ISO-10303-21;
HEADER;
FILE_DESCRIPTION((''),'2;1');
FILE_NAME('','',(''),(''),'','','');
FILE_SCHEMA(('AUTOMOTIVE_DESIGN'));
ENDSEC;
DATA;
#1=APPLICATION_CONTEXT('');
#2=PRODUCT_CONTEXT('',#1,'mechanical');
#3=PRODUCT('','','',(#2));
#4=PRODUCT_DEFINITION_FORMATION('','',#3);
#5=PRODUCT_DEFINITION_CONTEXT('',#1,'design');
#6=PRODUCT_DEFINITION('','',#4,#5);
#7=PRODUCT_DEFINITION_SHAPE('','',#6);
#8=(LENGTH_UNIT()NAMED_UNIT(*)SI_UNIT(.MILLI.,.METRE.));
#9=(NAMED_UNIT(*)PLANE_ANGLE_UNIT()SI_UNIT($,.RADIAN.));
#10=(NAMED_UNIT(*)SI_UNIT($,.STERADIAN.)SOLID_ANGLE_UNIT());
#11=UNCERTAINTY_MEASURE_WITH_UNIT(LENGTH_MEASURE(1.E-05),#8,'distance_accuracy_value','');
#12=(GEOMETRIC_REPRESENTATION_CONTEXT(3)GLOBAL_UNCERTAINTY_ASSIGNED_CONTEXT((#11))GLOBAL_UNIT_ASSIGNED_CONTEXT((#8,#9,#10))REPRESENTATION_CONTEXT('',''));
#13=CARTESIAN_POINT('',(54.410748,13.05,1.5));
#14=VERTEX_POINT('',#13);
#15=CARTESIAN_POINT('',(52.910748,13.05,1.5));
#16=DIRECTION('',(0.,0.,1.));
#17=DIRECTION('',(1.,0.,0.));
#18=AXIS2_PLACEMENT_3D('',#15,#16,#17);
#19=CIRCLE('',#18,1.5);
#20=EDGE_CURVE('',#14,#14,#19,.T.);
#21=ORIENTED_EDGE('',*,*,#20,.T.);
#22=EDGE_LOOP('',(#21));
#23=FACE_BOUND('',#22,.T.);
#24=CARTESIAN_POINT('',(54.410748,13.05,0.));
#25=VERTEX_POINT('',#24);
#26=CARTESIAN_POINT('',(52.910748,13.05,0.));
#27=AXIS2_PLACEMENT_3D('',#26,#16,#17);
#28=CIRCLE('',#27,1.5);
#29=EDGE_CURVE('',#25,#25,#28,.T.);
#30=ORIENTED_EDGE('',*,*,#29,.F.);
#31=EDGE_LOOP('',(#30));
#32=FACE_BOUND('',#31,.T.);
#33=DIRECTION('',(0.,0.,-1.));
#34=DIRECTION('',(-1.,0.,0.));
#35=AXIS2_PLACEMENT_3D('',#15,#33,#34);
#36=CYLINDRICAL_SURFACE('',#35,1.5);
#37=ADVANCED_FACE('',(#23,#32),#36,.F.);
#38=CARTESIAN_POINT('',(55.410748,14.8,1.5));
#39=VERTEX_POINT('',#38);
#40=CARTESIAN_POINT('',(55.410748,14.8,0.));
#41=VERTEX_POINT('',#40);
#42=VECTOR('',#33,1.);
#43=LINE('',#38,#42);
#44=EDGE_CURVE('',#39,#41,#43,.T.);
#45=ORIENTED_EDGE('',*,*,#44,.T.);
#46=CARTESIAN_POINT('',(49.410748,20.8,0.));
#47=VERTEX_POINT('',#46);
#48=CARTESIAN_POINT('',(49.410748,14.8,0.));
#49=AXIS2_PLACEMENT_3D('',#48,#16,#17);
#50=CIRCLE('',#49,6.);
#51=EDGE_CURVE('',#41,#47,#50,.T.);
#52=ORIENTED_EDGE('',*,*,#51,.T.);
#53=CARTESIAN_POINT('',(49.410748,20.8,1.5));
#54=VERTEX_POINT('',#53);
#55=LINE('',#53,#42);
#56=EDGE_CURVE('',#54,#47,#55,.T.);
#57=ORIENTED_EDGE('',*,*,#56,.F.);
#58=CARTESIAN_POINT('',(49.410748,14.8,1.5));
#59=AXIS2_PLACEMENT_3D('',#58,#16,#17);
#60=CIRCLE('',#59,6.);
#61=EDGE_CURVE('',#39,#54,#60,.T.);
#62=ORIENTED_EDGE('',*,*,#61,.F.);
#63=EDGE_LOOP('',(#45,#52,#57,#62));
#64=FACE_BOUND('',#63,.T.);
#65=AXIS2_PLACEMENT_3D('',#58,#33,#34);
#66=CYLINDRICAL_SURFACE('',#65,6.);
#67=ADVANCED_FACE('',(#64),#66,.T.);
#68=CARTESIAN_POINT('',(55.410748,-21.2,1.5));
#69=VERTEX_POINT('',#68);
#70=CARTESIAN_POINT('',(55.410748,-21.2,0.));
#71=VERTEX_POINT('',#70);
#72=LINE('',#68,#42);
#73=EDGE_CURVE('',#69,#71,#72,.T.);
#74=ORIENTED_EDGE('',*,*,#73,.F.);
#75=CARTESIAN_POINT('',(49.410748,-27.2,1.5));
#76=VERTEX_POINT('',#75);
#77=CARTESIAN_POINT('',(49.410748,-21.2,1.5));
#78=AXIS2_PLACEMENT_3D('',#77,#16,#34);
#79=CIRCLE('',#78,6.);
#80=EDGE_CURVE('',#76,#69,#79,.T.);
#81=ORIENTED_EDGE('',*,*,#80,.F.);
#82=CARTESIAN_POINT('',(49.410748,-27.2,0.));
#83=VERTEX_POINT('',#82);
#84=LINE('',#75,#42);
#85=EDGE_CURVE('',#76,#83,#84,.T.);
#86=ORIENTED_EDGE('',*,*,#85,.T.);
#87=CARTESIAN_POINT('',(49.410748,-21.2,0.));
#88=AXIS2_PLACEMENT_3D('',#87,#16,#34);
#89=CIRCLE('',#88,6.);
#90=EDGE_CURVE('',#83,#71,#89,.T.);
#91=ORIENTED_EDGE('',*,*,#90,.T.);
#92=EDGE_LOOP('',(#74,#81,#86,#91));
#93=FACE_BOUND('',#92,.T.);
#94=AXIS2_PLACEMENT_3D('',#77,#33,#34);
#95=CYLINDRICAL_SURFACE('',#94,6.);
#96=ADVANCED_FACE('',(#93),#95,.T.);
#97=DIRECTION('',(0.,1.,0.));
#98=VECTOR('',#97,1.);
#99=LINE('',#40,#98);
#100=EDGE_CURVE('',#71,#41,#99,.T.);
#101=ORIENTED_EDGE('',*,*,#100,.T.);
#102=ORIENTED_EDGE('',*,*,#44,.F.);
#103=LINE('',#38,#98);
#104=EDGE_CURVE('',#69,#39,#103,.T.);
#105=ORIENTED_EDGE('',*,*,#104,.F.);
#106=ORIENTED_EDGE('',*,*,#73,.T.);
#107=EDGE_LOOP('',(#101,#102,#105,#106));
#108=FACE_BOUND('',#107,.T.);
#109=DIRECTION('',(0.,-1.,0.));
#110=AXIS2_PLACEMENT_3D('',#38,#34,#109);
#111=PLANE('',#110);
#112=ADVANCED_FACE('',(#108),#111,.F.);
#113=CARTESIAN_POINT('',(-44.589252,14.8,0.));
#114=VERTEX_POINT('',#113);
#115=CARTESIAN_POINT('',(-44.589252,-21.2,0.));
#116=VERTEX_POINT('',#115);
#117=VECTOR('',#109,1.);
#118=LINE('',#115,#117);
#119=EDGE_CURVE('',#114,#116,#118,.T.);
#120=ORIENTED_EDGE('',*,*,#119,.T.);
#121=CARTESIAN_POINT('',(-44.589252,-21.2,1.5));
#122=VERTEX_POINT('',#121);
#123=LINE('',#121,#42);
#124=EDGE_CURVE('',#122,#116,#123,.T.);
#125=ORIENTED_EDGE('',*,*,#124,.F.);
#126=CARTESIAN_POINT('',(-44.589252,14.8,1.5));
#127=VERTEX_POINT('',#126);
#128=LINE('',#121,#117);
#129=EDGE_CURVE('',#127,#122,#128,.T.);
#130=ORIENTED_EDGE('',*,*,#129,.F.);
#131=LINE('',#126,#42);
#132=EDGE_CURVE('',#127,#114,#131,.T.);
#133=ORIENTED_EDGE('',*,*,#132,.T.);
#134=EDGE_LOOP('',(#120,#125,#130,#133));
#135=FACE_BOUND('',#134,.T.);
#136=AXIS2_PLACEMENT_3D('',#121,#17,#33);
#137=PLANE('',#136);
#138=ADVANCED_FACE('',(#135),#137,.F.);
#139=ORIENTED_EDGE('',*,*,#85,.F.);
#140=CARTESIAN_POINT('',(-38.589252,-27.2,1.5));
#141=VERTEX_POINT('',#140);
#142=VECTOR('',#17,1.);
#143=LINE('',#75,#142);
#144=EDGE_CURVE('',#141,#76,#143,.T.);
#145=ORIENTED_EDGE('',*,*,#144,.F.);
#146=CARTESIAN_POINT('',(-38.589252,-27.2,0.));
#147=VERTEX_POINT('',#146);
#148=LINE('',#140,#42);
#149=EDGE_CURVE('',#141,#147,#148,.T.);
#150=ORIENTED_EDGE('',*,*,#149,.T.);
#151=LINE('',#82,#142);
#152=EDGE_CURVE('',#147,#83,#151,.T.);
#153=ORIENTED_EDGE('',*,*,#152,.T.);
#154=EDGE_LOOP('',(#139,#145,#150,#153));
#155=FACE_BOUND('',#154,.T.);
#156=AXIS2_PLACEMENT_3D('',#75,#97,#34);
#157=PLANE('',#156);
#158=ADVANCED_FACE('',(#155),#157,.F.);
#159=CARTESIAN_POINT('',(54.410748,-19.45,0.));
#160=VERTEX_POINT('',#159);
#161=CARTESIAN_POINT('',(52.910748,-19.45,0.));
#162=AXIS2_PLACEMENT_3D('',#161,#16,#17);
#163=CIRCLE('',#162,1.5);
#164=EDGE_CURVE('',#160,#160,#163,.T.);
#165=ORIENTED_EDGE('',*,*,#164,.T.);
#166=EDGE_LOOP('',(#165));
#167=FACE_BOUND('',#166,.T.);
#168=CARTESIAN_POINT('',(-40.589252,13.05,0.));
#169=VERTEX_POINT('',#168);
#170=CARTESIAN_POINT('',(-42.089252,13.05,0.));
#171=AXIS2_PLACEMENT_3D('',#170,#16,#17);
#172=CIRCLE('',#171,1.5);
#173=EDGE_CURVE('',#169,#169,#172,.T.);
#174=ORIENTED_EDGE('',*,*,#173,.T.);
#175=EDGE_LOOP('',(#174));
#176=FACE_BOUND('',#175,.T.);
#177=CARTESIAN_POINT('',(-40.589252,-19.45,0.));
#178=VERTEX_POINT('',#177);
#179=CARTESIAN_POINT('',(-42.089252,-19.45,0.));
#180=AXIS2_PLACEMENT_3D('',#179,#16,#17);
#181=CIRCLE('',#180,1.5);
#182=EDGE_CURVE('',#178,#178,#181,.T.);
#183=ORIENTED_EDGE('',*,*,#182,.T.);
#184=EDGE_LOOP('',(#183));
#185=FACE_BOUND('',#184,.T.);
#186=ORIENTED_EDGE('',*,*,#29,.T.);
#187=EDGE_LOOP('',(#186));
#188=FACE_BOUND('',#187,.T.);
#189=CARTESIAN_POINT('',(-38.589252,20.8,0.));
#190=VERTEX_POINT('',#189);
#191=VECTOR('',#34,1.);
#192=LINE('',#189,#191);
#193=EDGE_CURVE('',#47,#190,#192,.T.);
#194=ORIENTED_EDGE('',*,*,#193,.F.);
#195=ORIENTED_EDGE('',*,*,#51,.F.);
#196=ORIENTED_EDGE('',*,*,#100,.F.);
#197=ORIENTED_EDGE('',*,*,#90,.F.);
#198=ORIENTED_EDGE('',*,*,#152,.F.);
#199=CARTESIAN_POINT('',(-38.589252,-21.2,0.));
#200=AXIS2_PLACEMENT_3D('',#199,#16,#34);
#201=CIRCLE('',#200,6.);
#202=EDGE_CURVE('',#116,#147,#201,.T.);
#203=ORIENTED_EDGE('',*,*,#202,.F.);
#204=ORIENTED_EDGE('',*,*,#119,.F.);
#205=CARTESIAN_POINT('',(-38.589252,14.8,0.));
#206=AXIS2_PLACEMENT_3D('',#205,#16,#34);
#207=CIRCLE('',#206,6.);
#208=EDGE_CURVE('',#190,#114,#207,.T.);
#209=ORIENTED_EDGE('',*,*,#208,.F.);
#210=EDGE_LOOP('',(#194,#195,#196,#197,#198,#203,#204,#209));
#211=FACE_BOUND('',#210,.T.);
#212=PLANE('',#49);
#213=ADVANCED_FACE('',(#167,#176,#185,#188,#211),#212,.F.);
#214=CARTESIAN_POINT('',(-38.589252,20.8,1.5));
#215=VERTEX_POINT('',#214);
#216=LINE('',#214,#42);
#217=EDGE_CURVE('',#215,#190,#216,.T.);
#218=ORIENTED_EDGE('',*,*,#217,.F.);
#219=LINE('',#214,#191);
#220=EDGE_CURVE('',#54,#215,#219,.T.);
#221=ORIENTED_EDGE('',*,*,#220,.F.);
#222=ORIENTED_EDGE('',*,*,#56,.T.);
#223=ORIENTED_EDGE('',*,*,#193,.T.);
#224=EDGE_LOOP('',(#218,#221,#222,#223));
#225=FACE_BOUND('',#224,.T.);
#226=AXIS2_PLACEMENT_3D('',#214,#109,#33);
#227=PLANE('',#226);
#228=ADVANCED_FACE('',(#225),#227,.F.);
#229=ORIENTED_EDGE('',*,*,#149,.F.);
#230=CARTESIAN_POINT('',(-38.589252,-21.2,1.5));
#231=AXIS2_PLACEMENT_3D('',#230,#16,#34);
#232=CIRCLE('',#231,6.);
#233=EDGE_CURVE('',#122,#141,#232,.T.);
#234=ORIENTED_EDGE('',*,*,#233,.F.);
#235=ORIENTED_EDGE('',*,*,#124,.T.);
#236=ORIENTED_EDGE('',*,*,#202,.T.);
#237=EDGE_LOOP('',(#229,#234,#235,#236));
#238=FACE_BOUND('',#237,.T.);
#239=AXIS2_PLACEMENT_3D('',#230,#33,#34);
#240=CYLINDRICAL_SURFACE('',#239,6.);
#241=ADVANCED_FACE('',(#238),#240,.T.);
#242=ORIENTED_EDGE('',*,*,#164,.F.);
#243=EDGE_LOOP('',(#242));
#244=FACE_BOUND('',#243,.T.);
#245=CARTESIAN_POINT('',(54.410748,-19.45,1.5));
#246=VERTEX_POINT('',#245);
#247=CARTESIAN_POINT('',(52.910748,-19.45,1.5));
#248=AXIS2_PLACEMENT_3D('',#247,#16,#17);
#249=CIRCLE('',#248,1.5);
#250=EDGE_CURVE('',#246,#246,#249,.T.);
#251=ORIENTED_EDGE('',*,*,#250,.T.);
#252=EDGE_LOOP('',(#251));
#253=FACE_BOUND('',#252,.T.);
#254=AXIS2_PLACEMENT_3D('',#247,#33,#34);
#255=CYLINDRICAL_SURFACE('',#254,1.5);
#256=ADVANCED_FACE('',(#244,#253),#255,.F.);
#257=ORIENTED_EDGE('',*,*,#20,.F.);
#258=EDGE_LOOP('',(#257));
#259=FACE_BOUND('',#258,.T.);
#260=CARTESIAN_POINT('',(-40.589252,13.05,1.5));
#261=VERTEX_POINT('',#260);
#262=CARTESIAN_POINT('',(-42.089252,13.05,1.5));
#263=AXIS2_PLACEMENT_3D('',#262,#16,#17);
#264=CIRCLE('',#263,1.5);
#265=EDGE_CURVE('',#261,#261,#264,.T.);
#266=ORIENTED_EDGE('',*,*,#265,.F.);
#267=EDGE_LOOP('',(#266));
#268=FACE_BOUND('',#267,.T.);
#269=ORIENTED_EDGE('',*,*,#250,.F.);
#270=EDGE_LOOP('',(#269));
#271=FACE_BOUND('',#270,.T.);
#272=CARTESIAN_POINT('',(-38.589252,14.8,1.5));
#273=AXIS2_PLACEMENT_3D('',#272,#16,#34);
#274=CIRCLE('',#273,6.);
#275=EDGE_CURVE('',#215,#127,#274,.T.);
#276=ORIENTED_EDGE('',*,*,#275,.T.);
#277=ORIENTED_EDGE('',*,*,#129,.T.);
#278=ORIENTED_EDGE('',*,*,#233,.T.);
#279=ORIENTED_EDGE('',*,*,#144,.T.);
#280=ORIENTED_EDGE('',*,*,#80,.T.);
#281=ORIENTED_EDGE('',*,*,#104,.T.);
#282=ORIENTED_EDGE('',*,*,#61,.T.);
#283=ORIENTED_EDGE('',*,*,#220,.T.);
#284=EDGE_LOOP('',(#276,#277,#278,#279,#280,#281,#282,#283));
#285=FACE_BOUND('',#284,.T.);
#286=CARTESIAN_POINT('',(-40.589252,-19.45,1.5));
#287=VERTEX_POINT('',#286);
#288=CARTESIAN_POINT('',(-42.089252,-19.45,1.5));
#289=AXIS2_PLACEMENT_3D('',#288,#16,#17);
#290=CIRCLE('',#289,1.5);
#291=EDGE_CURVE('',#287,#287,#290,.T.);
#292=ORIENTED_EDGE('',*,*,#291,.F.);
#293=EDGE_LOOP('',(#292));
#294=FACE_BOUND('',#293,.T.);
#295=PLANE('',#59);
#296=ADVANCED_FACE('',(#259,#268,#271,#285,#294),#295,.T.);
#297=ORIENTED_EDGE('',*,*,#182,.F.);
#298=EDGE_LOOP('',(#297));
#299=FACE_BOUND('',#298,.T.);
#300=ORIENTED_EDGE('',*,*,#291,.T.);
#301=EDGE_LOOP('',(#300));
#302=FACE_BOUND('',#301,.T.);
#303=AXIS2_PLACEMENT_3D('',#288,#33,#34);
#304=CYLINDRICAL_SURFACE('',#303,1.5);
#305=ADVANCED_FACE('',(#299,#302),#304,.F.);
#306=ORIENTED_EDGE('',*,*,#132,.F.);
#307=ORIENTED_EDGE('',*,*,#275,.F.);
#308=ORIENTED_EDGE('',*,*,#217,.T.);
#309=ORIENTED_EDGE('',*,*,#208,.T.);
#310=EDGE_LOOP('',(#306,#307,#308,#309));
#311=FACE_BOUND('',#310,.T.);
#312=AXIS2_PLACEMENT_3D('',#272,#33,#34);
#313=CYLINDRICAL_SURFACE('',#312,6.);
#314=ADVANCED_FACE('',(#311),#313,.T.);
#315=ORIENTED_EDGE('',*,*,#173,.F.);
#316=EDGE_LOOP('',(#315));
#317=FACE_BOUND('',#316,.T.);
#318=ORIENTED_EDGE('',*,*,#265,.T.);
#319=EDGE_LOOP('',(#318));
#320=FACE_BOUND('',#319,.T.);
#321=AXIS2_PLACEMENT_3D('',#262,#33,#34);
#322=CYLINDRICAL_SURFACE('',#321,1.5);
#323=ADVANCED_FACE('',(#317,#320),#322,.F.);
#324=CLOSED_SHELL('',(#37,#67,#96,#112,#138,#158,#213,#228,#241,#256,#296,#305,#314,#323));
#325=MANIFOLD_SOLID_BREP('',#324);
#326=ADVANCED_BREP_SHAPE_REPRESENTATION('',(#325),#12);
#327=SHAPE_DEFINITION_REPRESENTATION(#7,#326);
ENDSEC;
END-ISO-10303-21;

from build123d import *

# Parameters (mm, degrees)
CROQUIS1_R              = 1.5
SALIENTE_EXTRUIR1_DEPTH = 1.5


with BuildPart() as part:
    # Croquis1 → Saliente-Extruir1 (new body)
    with BuildSketch(Plane.XY):
        with BuildLine():
            Line((-38.589251844, 20.8), (49.410748156, 20.8))
            ThreePointArc((49.410748156, 20.8), (53.653388843, 19.042640687), (55.410748156, 14.8))
            Line((55.410748156, 14.8), (55.410748156, -21.2))
            ThreePointArc((55.410748156, -21.2), (53.653388843, -25.442640687), (49.410748156, -27.2))
            Line((49.410748156, -27.2), (-38.589251844, -27.2))
            ThreePointArc((-38.589251844, -27.2), (-42.831892531, -25.442640687), (-44.589251844, -21.2))
            Line((-44.589251844, -21.2), (-44.589251844, 14.8))
            ThreePointArc((-44.589251844, 14.8), (-42.831892531, 19.042640687), (-38.589251844, 20.8))
        make_face()
        with Locations((-42.089251844, 13.05)):
            Circle(CROQUIS1_R, mode=Mode.SUBTRACT)
        with Locations((-42.089251844, -19.45)):
            Circle(CROQUIS1_R, mode=Mode.SUBTRACT)
        with Locations((52.910748156, -19.45)):
            Circle(CROQUIS1_R, mode=Mode.SUBTRACT)
        with Locations((52.910748156, 13.05)):
            Circle(CROQUIS1_R, mode=Mode.SUBTRACT)
    extrude(amount=SALIENTE_EXTRUIR1_DEPTH)


solid = part.part
